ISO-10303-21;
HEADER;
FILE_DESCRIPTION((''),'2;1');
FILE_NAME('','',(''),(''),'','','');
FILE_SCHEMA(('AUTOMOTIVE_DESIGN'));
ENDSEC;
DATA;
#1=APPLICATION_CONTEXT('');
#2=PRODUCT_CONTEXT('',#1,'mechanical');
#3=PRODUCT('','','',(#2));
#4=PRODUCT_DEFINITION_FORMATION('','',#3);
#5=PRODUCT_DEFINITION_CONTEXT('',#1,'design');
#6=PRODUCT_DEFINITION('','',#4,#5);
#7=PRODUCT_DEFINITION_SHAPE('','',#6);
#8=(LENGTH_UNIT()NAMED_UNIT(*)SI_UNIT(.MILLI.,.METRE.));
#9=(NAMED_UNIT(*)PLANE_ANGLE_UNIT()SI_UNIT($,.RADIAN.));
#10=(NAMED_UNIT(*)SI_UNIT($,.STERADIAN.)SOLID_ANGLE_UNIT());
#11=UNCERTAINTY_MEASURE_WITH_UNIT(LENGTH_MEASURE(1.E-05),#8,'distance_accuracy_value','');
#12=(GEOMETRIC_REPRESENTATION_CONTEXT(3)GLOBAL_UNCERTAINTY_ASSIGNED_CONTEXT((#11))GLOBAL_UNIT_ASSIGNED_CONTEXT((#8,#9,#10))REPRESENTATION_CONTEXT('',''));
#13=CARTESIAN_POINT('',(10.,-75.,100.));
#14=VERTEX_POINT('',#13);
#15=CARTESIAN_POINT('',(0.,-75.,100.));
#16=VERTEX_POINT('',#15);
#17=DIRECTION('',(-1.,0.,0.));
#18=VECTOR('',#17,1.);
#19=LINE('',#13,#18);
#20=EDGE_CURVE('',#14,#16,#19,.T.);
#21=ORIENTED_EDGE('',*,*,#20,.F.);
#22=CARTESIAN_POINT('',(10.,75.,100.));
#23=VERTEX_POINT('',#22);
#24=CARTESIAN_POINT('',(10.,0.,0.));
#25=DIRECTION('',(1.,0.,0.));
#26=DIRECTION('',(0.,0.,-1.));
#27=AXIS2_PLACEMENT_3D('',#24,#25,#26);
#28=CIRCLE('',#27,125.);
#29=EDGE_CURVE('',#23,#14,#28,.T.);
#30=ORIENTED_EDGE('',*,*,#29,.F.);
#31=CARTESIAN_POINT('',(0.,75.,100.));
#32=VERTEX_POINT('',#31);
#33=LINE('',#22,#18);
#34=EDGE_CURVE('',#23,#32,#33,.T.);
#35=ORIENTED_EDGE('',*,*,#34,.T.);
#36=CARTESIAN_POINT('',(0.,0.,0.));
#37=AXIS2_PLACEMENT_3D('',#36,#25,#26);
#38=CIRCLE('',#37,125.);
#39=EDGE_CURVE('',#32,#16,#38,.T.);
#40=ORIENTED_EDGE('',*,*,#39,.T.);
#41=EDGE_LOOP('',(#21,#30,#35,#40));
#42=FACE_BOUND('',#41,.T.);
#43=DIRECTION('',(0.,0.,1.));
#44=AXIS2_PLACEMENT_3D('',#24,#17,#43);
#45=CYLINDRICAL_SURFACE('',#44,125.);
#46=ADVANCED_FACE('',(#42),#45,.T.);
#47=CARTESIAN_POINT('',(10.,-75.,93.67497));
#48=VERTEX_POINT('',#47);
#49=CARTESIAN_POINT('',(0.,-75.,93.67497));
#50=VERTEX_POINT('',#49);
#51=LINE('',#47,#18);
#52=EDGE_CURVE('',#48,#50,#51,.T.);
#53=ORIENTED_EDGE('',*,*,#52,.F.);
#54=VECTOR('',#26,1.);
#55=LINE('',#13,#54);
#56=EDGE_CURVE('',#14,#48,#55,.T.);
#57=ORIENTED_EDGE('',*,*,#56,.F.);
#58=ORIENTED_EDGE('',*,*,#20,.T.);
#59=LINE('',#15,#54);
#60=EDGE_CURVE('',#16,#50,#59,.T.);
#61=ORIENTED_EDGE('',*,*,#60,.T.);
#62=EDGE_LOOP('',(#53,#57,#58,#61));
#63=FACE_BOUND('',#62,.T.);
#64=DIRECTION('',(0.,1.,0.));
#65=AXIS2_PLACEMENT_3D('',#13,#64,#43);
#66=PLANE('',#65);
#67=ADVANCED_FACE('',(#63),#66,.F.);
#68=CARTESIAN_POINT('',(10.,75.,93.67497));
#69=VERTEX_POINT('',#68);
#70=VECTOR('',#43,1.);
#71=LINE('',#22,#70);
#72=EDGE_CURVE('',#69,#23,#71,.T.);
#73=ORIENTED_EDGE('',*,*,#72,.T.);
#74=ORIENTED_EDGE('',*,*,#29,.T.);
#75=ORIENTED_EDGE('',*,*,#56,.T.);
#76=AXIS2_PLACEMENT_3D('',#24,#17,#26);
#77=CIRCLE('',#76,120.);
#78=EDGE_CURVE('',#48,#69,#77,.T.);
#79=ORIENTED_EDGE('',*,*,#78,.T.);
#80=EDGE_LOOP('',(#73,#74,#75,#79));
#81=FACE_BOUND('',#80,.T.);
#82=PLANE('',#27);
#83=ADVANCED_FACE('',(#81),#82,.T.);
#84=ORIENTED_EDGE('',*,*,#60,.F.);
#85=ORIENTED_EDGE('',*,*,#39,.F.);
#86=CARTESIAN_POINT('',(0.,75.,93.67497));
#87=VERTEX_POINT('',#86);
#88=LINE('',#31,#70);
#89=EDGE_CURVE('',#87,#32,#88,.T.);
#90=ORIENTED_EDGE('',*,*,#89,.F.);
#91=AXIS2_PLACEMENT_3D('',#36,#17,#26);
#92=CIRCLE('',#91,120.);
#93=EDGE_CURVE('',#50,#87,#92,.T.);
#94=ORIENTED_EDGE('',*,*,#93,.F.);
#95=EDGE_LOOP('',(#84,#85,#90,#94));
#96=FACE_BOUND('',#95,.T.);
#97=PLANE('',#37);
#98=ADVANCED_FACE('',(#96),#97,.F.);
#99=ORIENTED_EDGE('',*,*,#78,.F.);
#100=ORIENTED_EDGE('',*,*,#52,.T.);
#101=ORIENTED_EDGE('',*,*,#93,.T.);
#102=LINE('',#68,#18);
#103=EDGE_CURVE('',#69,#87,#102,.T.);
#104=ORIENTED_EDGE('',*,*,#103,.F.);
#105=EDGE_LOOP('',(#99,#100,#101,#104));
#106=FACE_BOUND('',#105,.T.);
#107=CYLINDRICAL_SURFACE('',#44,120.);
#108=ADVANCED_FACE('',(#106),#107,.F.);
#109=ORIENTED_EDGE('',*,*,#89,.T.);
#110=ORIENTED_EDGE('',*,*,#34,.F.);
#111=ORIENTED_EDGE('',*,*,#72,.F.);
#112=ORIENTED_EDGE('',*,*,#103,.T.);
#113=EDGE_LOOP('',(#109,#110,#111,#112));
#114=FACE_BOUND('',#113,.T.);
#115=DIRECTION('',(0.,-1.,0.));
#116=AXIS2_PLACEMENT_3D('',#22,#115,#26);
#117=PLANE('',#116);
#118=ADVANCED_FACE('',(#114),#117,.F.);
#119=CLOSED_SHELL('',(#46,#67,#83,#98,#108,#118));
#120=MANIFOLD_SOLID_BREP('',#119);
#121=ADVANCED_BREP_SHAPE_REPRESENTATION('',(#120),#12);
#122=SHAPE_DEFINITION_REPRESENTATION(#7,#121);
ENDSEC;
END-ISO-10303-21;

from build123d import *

# Parameters (mm, degrees)
BOSS_EXTRUDE1_DEPTH = 10


with BuildPart() as part:
    # Sketch1 → Boss-Extrude1 (new body)
    with BuildSketch(Plane(origin=(0, 0, 0), x_dir=(0, 0, -1), z_dir=(1, 0, 0))):
        with BuildLine():
            Line((-100, 75), (-93.674969976, 75))
            ThreePointArc((-93.674969976, 75), (-120, 0), (-93.674969976, -75))
            Line((-93.674969976, -75), (-100, -75))
            ThreePointArc((-100, -75), (-125, 0), (-100, 75))
        make_face()
    extrude(amount=BOSS_EXTRUDE1_DEPTH)


solid = part.part
